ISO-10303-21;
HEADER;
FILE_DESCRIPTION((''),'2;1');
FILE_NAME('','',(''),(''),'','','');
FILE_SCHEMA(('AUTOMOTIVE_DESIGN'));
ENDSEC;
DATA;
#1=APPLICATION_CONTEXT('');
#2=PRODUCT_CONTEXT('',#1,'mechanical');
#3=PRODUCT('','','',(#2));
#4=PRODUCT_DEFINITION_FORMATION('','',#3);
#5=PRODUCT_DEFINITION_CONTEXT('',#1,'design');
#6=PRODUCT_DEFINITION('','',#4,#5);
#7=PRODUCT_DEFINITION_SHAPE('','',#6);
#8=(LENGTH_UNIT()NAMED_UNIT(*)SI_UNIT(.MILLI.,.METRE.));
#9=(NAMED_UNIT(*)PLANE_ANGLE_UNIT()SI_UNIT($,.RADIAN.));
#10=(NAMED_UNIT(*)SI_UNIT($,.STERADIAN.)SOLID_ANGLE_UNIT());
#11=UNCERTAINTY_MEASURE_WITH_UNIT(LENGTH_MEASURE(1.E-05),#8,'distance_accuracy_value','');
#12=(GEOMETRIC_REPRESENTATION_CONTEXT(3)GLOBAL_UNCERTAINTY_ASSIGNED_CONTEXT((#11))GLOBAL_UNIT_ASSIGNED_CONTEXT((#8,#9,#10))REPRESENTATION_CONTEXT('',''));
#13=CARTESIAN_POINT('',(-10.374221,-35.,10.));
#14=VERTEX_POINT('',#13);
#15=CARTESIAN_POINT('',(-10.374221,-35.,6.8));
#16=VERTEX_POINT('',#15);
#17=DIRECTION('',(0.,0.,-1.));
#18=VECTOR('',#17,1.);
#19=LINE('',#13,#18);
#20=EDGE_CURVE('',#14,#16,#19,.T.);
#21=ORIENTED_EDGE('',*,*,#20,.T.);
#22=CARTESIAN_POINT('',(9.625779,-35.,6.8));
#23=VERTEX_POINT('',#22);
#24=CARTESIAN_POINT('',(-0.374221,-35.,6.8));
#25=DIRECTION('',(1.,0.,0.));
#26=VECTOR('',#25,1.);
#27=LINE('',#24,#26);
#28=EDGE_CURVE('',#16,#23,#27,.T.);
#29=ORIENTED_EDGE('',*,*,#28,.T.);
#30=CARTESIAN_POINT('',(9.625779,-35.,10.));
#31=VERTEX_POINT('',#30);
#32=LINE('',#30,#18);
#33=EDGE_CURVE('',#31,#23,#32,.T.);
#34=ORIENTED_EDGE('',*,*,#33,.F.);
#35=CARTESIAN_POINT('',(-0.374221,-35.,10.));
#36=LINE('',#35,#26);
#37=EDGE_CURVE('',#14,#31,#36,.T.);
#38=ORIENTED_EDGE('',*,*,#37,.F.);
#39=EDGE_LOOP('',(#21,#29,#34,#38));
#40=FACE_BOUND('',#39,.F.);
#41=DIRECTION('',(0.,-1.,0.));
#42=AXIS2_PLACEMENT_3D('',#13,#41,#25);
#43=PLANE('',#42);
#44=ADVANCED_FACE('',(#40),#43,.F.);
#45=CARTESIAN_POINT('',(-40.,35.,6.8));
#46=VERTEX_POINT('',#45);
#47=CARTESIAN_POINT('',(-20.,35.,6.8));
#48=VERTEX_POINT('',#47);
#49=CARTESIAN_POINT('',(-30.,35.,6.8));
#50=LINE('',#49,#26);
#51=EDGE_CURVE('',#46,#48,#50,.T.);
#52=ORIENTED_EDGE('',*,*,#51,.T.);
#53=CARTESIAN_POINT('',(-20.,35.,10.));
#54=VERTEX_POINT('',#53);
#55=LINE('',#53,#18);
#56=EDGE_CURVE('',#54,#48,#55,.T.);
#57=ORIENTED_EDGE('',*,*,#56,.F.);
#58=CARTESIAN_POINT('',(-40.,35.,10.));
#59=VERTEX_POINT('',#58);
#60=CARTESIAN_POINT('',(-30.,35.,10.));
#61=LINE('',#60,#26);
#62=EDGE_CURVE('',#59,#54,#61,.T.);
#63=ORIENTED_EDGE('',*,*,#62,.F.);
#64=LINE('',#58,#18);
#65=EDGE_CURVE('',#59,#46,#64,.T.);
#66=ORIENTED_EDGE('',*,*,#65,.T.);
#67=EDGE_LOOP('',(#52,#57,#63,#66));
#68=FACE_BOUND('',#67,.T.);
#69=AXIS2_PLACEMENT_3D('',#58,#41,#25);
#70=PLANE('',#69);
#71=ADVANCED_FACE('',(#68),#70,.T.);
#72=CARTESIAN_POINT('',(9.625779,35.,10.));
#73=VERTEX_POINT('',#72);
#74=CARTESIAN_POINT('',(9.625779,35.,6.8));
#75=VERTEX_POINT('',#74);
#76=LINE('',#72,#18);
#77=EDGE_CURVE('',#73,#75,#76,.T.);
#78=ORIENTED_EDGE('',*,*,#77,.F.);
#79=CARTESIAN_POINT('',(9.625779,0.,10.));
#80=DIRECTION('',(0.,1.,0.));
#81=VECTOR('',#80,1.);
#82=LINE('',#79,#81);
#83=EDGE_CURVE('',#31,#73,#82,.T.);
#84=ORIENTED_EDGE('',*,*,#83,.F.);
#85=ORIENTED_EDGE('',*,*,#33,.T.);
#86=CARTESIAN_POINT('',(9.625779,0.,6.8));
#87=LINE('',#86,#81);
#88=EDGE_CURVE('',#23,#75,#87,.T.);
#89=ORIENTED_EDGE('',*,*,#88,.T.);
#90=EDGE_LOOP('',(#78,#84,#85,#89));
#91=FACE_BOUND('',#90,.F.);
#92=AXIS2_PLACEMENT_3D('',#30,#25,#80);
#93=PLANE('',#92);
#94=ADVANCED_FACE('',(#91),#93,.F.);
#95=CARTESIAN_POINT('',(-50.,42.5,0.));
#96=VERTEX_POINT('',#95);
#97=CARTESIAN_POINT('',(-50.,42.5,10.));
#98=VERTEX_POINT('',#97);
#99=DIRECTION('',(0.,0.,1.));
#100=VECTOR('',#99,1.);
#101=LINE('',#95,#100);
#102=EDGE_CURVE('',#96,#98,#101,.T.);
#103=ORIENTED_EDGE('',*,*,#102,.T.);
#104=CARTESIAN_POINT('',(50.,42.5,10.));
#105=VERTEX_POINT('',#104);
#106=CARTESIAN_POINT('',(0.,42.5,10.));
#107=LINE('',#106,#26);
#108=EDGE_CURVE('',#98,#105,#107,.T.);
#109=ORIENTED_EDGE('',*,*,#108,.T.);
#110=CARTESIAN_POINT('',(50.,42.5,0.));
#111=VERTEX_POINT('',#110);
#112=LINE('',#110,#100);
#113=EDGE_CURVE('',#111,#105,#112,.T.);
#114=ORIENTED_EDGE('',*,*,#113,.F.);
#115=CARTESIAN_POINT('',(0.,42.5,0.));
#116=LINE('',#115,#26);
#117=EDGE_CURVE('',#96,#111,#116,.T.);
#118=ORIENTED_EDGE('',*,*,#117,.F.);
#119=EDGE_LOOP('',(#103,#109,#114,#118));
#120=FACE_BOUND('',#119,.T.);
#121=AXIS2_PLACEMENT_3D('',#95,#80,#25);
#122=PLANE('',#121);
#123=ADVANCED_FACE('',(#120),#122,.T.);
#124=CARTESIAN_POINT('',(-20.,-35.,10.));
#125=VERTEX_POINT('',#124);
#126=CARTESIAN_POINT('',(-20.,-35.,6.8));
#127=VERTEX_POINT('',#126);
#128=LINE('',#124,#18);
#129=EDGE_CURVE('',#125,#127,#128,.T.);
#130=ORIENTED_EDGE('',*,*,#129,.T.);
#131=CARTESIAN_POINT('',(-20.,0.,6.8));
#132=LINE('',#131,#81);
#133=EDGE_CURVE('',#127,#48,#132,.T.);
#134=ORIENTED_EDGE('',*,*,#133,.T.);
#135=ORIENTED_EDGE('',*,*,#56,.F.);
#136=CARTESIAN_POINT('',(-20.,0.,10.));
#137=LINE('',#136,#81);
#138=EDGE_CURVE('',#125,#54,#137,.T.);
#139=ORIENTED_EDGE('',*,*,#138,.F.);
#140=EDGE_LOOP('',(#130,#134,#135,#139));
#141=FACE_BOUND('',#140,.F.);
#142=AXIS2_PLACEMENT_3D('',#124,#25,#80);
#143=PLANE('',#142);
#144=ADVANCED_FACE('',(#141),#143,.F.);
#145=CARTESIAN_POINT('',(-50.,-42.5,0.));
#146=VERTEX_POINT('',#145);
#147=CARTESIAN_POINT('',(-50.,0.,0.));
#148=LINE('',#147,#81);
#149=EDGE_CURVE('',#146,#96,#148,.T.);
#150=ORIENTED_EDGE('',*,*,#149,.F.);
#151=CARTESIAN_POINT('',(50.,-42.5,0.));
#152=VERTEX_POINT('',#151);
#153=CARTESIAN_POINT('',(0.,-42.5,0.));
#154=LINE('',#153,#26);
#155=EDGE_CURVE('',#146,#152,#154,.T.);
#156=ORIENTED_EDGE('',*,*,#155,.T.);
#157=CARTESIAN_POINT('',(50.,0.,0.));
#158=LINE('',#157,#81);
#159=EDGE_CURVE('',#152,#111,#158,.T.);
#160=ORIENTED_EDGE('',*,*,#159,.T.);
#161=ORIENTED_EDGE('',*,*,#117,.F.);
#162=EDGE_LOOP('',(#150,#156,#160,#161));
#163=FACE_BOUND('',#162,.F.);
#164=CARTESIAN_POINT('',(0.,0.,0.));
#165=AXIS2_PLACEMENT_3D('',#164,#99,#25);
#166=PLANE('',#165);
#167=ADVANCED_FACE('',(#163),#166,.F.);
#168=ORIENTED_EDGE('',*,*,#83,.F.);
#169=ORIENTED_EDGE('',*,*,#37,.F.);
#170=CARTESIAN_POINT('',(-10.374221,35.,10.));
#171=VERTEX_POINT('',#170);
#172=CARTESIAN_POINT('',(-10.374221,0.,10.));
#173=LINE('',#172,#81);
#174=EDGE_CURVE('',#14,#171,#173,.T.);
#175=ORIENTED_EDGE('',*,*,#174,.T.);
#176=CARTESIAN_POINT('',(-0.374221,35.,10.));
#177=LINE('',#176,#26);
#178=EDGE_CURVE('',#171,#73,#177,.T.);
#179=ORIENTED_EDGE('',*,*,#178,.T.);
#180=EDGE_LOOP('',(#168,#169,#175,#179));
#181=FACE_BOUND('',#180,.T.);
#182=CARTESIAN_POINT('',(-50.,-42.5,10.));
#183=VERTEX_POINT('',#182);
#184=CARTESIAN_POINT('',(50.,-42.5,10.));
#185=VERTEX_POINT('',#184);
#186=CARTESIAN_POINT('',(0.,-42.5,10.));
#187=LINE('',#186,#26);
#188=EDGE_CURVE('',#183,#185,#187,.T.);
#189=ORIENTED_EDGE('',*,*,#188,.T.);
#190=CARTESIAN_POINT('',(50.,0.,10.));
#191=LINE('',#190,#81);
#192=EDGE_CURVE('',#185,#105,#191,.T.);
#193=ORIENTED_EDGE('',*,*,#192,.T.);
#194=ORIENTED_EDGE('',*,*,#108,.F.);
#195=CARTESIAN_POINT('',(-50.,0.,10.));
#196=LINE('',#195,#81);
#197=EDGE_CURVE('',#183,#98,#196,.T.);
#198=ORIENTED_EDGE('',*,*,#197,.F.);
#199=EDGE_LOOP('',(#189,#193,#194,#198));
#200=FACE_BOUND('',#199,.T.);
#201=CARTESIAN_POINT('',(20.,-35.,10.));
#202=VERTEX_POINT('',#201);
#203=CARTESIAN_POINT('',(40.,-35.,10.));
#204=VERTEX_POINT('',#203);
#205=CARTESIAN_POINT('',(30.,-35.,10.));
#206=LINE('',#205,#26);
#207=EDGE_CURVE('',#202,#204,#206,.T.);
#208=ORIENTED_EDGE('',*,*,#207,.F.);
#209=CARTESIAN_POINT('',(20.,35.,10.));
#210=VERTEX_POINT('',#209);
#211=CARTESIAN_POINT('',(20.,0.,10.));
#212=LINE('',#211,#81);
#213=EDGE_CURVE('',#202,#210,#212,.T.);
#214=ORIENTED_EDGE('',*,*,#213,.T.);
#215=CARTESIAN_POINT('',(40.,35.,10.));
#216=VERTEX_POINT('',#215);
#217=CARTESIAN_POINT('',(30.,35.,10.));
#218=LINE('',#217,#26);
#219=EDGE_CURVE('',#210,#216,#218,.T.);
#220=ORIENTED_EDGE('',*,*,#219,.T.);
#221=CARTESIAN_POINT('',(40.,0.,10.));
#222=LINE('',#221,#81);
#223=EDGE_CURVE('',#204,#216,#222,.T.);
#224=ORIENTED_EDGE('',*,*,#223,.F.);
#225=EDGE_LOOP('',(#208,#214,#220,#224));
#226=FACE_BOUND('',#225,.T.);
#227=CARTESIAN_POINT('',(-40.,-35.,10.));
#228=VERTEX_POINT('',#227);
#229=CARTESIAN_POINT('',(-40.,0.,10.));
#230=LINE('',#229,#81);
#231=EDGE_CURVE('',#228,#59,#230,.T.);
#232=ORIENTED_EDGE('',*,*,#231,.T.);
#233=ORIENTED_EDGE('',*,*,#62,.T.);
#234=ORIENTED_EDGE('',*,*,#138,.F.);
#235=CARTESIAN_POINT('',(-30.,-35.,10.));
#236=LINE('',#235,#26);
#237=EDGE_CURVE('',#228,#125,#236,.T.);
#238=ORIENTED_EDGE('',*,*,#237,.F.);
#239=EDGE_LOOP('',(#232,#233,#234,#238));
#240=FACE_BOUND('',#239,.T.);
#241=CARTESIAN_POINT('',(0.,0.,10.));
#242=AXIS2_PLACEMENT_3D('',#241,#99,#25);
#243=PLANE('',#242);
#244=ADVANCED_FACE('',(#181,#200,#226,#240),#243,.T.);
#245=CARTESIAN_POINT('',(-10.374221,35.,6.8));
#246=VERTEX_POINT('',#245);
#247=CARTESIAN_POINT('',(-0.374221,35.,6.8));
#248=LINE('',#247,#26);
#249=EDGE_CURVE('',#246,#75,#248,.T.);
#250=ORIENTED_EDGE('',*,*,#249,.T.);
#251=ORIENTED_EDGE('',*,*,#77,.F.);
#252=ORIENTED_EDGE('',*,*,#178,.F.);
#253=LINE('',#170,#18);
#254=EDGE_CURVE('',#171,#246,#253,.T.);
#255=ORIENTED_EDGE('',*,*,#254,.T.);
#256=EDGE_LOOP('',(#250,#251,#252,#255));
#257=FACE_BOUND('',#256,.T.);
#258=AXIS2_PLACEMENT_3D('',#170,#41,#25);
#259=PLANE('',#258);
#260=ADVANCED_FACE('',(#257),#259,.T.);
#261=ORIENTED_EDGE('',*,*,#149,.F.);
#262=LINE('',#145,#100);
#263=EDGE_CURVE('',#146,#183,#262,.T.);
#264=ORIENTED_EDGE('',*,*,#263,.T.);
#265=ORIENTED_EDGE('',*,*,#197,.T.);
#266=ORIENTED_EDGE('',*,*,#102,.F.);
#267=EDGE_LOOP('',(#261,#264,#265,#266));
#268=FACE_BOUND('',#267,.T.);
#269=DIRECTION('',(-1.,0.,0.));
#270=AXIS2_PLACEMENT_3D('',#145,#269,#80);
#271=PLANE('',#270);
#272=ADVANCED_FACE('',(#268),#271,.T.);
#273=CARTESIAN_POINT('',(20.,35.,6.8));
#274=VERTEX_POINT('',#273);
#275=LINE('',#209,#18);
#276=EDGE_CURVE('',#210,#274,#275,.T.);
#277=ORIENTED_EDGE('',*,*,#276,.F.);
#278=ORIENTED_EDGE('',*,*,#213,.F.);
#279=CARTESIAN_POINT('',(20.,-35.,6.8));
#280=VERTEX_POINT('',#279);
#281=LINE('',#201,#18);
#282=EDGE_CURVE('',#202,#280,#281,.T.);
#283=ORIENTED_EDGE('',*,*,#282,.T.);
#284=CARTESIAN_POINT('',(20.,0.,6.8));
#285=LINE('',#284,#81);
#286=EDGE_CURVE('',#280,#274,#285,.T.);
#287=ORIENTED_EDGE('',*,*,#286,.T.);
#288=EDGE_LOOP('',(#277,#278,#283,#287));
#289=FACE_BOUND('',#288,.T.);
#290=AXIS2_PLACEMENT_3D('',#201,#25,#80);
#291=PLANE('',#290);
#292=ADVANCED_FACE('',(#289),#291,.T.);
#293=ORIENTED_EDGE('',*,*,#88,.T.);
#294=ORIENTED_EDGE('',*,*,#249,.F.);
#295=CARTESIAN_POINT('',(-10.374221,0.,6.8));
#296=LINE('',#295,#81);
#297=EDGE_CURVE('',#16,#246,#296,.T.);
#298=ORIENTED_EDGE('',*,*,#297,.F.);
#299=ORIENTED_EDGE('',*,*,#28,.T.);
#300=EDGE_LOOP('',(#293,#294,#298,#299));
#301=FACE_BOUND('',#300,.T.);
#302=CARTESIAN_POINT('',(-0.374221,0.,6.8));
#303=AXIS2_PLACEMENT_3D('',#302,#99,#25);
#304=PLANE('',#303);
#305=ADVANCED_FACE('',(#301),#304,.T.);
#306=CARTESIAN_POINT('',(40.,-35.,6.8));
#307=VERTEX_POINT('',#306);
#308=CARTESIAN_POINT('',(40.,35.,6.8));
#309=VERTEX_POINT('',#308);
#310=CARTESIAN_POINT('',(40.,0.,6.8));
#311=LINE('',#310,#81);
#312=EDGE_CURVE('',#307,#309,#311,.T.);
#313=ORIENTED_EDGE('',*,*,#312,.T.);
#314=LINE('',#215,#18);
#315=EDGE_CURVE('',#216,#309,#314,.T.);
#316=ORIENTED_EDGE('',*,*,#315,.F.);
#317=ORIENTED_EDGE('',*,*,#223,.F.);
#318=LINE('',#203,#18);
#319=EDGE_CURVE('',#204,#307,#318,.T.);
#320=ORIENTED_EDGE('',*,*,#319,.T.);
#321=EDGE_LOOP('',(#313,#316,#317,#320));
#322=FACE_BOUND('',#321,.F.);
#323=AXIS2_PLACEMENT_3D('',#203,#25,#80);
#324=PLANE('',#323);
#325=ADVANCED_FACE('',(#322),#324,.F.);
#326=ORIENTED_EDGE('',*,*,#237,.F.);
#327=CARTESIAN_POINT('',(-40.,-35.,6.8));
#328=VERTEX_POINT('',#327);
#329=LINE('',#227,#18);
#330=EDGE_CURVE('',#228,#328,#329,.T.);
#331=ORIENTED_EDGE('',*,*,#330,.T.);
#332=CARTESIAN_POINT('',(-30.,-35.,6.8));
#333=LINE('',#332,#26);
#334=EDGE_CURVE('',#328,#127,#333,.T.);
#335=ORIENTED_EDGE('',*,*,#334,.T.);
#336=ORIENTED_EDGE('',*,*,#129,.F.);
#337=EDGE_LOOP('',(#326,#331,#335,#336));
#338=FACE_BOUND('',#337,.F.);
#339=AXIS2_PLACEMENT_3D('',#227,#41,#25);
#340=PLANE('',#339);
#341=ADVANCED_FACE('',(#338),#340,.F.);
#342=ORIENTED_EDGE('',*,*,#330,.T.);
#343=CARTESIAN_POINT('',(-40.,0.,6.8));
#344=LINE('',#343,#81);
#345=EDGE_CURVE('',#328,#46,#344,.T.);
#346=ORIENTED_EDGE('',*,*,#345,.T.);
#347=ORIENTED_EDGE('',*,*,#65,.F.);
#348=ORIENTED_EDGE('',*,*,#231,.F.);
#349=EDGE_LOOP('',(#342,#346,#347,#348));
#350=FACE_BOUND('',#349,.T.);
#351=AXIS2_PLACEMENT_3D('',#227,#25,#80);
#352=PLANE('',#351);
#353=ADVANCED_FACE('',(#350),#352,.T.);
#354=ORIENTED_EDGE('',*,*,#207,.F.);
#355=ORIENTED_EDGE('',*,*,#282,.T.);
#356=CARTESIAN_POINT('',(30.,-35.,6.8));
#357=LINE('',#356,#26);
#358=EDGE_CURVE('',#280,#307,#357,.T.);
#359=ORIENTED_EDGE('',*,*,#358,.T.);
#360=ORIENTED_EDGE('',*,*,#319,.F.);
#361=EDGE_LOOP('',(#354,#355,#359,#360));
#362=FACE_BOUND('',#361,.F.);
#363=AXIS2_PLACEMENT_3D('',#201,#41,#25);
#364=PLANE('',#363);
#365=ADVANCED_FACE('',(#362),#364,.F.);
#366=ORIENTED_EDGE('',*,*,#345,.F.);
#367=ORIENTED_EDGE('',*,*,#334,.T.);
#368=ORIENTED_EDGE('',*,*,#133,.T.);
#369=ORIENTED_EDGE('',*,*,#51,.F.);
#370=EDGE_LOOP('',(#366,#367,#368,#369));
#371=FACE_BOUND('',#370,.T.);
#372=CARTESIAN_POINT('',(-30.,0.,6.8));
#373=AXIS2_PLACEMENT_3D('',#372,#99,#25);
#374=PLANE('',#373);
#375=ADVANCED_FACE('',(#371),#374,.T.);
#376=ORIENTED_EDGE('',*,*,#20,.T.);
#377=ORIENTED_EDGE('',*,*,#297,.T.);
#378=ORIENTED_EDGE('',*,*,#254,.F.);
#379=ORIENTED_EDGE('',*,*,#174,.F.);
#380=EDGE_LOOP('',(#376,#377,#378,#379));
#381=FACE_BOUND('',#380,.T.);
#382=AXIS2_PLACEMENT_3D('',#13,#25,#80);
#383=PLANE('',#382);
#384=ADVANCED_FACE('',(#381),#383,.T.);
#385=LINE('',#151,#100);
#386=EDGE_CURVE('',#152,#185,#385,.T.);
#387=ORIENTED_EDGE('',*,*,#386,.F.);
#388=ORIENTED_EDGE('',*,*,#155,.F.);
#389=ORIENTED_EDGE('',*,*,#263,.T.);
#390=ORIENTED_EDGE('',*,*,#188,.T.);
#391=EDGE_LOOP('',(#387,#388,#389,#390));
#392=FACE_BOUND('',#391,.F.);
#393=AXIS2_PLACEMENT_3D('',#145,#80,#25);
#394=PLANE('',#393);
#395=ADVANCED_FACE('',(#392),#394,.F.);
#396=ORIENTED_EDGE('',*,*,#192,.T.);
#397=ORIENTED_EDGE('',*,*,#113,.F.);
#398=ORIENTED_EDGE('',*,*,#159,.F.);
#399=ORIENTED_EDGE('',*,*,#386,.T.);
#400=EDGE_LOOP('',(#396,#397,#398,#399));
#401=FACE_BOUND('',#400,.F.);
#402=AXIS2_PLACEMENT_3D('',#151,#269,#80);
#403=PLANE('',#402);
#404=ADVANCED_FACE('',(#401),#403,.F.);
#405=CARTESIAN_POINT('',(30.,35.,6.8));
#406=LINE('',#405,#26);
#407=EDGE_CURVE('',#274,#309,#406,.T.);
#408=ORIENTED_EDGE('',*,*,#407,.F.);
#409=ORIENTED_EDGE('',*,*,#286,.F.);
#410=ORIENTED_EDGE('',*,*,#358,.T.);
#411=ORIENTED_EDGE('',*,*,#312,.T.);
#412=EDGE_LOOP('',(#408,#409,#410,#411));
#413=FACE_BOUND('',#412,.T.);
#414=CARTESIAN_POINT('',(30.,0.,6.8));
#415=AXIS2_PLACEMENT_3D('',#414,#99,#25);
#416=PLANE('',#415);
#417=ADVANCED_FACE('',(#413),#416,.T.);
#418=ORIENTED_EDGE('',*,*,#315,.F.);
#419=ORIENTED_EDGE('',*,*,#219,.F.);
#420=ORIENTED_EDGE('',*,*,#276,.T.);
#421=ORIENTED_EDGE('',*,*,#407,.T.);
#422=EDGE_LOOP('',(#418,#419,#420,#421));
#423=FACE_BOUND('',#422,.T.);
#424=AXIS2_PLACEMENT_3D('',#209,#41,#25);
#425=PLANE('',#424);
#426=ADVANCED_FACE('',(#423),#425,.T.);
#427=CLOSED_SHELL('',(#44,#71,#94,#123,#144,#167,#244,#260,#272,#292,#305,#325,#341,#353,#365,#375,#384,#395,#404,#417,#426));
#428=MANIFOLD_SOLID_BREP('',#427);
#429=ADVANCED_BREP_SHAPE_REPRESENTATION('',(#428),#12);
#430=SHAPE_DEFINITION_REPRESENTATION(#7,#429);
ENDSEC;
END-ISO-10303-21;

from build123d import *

# Parameters (mm, degrees)
F0_W     = 100
F0_H     = 85
F1_DEPTH = 10
F3_W     = 20
F3_H     = 70
F4_DEPTH = 3.2


with BuildPart() as f1:
    # F0 (on Top) → F1 (new body)
    with BuildSketch(Plane.XY):
        Rectangle(F0_W, F0_H)
    extrude(amount=F1_DEPTH)

    # F3 (on face) → F4 (cut)
    with BuildSketch(Plane.XY.offset(10)):
        with Locations((-30, 0)):
            Rectangle(F3_W, F3_H)
        with Locations((-0.374221, 0)):
            Rectangle(F3_W, F3_H)
        with Locations((30, 0)):
            Rectangle(F3_W, F3_H)
    extrude(amount=-F4_DEPTH, mode=Mode.SUBTRACT)


solid = f1.part
